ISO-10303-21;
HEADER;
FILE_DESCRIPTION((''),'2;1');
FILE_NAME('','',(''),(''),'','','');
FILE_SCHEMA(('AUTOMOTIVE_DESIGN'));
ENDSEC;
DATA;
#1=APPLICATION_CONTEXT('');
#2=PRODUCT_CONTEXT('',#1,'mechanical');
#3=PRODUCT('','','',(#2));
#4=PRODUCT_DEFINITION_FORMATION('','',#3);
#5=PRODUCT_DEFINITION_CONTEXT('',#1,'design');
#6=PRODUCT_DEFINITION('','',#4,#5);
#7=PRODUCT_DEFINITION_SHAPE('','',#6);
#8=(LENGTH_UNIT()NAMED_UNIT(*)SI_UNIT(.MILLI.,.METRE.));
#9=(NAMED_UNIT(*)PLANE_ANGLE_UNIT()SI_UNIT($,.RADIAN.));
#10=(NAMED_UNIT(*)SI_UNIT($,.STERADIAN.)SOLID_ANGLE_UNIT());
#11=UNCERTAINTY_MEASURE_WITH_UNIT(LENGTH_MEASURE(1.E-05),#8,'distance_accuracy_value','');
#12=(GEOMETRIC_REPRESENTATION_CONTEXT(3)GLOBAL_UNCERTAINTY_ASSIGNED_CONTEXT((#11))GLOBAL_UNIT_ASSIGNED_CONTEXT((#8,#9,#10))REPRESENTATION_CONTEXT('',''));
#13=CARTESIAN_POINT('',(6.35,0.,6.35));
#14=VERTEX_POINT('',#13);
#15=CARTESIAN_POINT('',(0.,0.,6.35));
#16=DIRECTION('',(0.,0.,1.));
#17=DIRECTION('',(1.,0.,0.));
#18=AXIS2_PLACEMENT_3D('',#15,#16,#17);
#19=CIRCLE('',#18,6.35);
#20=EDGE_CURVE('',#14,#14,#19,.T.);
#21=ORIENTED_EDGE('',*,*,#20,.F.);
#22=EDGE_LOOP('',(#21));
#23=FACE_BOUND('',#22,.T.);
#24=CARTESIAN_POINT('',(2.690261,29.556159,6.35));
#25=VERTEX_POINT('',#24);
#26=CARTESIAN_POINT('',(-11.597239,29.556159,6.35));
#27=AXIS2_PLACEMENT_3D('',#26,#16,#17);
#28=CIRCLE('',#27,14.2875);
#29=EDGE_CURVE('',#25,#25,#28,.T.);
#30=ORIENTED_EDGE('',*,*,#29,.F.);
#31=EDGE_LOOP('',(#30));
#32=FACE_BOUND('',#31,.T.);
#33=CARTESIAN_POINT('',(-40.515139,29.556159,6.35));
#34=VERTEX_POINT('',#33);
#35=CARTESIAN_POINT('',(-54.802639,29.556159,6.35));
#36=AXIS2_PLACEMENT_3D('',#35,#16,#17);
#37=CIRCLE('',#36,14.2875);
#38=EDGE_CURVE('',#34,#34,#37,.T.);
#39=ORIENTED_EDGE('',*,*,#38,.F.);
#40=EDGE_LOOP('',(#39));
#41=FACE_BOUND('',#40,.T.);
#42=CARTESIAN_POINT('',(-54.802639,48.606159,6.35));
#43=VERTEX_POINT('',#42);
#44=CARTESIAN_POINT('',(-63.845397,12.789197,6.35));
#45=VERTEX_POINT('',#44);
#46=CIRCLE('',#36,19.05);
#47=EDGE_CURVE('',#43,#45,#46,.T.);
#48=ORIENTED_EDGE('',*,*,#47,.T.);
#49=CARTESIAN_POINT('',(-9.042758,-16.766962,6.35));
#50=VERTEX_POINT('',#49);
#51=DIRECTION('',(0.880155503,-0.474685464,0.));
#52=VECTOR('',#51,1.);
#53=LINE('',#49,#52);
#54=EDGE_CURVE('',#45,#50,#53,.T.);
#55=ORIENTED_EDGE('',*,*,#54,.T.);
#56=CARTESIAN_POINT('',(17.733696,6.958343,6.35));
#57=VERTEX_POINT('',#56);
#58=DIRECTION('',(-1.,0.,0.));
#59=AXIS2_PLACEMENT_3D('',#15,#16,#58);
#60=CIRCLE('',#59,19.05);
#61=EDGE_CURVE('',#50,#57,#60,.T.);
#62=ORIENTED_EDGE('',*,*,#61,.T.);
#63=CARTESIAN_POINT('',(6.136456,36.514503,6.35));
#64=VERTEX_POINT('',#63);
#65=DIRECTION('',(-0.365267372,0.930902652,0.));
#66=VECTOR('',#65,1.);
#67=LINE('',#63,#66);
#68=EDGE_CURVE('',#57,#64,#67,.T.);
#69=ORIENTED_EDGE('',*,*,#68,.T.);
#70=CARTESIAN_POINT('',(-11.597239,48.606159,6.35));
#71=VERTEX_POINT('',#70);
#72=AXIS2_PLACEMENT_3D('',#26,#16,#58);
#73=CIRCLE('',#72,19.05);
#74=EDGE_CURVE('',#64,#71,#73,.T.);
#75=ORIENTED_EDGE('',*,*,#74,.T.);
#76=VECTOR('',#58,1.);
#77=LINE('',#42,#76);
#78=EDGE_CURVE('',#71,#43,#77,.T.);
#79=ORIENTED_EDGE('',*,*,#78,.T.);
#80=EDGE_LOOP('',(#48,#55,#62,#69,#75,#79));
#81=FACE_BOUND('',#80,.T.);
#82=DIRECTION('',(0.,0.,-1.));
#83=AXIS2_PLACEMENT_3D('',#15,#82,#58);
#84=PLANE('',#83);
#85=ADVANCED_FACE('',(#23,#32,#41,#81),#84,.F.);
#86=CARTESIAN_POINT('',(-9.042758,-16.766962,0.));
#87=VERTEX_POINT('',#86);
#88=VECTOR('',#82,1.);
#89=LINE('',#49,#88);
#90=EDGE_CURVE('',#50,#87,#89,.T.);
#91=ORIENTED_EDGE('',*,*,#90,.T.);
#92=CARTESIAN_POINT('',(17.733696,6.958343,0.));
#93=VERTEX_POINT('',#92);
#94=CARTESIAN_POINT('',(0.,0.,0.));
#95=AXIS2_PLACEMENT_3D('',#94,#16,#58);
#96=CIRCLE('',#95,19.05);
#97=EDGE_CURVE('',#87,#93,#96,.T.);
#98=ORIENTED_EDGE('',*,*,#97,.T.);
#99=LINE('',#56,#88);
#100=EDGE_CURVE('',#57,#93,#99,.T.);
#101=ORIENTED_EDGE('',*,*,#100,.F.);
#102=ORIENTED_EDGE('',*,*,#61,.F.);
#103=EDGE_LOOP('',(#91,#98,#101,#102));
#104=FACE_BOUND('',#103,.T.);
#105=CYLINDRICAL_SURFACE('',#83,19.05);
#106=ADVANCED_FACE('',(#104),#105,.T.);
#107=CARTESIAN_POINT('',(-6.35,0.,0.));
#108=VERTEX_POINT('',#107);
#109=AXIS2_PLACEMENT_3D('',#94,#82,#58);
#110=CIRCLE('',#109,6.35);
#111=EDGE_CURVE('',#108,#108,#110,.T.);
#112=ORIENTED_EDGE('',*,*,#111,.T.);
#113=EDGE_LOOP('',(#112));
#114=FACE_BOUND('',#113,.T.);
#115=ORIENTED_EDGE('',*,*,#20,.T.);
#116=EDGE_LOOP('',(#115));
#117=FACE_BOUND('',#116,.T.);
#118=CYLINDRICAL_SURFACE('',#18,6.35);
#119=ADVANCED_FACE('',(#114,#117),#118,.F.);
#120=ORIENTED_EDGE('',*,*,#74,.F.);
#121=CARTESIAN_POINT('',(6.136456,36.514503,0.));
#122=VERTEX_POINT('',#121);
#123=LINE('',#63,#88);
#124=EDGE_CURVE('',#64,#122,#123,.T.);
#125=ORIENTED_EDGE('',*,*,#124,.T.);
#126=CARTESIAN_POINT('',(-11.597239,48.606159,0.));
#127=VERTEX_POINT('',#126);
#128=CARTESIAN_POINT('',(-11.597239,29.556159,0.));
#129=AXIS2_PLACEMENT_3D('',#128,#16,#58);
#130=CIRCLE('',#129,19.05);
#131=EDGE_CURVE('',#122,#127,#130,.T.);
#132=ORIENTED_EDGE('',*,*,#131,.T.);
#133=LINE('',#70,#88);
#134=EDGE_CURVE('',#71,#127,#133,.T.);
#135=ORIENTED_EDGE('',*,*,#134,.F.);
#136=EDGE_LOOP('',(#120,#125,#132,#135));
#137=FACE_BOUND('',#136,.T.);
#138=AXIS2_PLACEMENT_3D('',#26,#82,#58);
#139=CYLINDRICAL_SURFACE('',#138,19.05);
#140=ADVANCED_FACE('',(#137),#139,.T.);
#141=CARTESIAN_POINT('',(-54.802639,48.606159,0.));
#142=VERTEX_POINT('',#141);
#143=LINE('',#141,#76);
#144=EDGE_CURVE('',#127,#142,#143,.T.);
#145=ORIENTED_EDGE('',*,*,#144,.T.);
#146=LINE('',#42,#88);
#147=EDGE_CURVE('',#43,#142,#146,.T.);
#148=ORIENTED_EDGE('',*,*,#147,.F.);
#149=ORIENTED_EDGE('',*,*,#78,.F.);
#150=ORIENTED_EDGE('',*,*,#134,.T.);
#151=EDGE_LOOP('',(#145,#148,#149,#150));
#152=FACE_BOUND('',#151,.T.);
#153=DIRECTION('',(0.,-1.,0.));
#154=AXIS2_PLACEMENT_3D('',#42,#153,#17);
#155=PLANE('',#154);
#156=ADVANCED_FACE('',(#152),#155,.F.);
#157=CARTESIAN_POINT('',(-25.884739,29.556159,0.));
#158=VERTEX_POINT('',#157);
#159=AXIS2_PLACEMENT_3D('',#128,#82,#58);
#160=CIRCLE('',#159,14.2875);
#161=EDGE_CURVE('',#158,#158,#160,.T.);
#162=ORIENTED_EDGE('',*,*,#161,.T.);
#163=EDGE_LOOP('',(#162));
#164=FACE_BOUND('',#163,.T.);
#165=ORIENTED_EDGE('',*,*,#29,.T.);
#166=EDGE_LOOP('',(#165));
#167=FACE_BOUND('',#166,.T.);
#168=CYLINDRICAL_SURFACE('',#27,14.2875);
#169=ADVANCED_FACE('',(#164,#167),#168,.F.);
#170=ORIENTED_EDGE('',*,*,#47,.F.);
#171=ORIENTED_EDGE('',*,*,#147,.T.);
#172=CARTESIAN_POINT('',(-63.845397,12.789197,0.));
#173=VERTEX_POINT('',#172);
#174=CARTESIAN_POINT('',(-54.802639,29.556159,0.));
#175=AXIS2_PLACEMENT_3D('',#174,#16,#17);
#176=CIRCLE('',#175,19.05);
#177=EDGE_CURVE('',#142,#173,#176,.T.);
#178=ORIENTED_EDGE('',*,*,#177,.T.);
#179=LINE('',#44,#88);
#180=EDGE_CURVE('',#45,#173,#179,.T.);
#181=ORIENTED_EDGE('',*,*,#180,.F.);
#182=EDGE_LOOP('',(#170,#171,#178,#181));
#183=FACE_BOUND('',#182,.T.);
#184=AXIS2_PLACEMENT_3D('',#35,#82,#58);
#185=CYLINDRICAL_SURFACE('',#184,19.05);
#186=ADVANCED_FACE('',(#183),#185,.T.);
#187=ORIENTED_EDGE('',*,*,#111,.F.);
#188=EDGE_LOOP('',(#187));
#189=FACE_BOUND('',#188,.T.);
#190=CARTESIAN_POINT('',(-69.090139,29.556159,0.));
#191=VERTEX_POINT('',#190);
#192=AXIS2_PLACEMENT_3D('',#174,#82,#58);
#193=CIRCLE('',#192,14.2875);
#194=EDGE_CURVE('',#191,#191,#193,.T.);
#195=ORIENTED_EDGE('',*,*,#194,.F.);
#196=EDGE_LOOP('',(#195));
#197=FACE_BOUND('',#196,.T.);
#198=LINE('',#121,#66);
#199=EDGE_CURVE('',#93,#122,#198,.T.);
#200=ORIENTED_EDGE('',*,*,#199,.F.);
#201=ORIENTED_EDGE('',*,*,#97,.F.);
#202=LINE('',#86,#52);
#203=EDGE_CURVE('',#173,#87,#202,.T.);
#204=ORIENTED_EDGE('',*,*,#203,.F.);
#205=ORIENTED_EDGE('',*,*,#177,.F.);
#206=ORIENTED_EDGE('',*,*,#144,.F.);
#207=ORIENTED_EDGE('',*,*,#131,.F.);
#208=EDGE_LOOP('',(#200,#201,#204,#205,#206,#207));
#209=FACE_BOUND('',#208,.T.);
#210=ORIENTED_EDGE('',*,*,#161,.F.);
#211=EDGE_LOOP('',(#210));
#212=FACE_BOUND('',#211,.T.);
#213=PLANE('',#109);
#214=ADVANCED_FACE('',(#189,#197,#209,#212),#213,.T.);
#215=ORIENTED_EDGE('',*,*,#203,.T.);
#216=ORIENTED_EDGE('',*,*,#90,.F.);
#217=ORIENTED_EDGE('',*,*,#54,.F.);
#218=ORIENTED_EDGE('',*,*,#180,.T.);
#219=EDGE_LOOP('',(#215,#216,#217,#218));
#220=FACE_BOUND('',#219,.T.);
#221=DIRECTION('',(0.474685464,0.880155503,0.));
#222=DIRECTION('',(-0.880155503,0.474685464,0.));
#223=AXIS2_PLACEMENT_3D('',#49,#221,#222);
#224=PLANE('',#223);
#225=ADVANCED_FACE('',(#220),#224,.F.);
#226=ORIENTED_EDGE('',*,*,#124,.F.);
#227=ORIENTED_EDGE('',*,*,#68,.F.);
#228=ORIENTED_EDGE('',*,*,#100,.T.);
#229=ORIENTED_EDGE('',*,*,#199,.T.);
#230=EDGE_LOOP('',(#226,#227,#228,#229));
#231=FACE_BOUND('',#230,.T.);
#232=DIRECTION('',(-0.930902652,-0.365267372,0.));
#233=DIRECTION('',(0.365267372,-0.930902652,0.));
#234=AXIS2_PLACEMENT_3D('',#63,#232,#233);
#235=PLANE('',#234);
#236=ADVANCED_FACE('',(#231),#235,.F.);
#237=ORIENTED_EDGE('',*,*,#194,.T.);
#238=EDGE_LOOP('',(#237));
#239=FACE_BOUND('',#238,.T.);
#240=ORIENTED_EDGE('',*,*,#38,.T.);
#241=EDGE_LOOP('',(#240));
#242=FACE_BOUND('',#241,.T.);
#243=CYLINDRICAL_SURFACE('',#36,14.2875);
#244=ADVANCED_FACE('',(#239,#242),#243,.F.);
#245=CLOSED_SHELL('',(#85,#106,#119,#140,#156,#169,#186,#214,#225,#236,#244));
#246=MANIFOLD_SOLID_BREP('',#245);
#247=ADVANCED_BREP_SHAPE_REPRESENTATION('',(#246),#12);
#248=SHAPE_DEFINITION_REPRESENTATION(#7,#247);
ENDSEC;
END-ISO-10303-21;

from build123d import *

# Parameters (mm, degrees)
BOSS_EXTRUDE1_DEPTH            = 6.35
F_1_1_DIAMETER_HOLE1_D         = 28.575
F_1_1_DIAMETER_HOLE1_DEPTH     = 25.4
F_1_1_DIAMETER_HOLE1_TIP       = 8.584796094
F_1_2_0_5_DIAMETER_HOLE1_D     = 12.7
F_1_2_0_5_DIAMETER_HOLE1_DEPTH = 25.4
F_1_2_0_5_DIAMETER_HOLE1_TIP   = 3.815464931


with BuildPart() as part:
    # Sketch1 → Boss-Extrude1 (new body)
    with BuildSketch(Plane.XY):
        with BuildLine():
            Line((-54.802639065, 48.60615919), (-11.597239065, 48.60615919))
            ThreePointArc((-11.597239065, 48.60615919), (-0.865369296, 45.295583298), (6.136456449, 36.514502629))
            Line((6.136456449, 36.514502629), (17.733695514, 6.958343439))
            ThreePointArc((17.733695514, 6.958343439), (12.633512254, -14.258221072), (-9.042758094, -16.766962338))
            Line((-9.042758094, -16.766962338), (-63.84539716, 12.789196852))
            ThreePointArc((-63.84539716, 12.789196852), (-73.273063161, 34.219412746), (-54.802639065, 48.60615919))
        make_face()
    extrude(amount=BOSS_EXTRUDE1_DEPTH)

    # 1 (1) Diameter Hole1
    with Locations(Plane.XY.offset(6.35)):
        with Locations((-54.802639065, 29.55615919), (-11.597239065, 29.55615919)):
            Hole(F_1_1_DIAMETER_HOLE1_D / 2, depth=F_1_1_DIAMETER_HOLE1_DEPTH)
            with Locations((0, 0, -(F_1_1_DIAMETER_HOLE1_DEPTH + F_1_1_DIAMETER_HOLE1_TIP / 2))):  # 118° drill point
                Cone(0, F_1_1_DIAMETER_HOLE1_D / 2, F_1_1_DIAMETER_HOLE1_TIP, mode=Mode.SUBTRACT)

    # 1/2 (0.5) Diameter Hole1
    with Locations(Plane.XY.offset(6.35)):
        with Locations((0, 0)):
            Hole(F_1_2_0_5_DIAMETER_HOLE1_D / 2, depth=F_1_2_0_5_DIAMETER_HOLE1_DEPTH)
            with Locations((0, 0, -(F_1_2_0_5_DIAMETER_HOLE1_DEPTH + F_1_2_0_5_DIAMETER_HOLE1_TIP / 2))):  # 118° drill point
                Cone(0, F_1_2_0_5_DIAMETER_HOLE1_D / 2, F_1_2_0_5_DIAMETER_HOLE1_TIP, mode=Mode.SUBTRACT)


solid = part.part
